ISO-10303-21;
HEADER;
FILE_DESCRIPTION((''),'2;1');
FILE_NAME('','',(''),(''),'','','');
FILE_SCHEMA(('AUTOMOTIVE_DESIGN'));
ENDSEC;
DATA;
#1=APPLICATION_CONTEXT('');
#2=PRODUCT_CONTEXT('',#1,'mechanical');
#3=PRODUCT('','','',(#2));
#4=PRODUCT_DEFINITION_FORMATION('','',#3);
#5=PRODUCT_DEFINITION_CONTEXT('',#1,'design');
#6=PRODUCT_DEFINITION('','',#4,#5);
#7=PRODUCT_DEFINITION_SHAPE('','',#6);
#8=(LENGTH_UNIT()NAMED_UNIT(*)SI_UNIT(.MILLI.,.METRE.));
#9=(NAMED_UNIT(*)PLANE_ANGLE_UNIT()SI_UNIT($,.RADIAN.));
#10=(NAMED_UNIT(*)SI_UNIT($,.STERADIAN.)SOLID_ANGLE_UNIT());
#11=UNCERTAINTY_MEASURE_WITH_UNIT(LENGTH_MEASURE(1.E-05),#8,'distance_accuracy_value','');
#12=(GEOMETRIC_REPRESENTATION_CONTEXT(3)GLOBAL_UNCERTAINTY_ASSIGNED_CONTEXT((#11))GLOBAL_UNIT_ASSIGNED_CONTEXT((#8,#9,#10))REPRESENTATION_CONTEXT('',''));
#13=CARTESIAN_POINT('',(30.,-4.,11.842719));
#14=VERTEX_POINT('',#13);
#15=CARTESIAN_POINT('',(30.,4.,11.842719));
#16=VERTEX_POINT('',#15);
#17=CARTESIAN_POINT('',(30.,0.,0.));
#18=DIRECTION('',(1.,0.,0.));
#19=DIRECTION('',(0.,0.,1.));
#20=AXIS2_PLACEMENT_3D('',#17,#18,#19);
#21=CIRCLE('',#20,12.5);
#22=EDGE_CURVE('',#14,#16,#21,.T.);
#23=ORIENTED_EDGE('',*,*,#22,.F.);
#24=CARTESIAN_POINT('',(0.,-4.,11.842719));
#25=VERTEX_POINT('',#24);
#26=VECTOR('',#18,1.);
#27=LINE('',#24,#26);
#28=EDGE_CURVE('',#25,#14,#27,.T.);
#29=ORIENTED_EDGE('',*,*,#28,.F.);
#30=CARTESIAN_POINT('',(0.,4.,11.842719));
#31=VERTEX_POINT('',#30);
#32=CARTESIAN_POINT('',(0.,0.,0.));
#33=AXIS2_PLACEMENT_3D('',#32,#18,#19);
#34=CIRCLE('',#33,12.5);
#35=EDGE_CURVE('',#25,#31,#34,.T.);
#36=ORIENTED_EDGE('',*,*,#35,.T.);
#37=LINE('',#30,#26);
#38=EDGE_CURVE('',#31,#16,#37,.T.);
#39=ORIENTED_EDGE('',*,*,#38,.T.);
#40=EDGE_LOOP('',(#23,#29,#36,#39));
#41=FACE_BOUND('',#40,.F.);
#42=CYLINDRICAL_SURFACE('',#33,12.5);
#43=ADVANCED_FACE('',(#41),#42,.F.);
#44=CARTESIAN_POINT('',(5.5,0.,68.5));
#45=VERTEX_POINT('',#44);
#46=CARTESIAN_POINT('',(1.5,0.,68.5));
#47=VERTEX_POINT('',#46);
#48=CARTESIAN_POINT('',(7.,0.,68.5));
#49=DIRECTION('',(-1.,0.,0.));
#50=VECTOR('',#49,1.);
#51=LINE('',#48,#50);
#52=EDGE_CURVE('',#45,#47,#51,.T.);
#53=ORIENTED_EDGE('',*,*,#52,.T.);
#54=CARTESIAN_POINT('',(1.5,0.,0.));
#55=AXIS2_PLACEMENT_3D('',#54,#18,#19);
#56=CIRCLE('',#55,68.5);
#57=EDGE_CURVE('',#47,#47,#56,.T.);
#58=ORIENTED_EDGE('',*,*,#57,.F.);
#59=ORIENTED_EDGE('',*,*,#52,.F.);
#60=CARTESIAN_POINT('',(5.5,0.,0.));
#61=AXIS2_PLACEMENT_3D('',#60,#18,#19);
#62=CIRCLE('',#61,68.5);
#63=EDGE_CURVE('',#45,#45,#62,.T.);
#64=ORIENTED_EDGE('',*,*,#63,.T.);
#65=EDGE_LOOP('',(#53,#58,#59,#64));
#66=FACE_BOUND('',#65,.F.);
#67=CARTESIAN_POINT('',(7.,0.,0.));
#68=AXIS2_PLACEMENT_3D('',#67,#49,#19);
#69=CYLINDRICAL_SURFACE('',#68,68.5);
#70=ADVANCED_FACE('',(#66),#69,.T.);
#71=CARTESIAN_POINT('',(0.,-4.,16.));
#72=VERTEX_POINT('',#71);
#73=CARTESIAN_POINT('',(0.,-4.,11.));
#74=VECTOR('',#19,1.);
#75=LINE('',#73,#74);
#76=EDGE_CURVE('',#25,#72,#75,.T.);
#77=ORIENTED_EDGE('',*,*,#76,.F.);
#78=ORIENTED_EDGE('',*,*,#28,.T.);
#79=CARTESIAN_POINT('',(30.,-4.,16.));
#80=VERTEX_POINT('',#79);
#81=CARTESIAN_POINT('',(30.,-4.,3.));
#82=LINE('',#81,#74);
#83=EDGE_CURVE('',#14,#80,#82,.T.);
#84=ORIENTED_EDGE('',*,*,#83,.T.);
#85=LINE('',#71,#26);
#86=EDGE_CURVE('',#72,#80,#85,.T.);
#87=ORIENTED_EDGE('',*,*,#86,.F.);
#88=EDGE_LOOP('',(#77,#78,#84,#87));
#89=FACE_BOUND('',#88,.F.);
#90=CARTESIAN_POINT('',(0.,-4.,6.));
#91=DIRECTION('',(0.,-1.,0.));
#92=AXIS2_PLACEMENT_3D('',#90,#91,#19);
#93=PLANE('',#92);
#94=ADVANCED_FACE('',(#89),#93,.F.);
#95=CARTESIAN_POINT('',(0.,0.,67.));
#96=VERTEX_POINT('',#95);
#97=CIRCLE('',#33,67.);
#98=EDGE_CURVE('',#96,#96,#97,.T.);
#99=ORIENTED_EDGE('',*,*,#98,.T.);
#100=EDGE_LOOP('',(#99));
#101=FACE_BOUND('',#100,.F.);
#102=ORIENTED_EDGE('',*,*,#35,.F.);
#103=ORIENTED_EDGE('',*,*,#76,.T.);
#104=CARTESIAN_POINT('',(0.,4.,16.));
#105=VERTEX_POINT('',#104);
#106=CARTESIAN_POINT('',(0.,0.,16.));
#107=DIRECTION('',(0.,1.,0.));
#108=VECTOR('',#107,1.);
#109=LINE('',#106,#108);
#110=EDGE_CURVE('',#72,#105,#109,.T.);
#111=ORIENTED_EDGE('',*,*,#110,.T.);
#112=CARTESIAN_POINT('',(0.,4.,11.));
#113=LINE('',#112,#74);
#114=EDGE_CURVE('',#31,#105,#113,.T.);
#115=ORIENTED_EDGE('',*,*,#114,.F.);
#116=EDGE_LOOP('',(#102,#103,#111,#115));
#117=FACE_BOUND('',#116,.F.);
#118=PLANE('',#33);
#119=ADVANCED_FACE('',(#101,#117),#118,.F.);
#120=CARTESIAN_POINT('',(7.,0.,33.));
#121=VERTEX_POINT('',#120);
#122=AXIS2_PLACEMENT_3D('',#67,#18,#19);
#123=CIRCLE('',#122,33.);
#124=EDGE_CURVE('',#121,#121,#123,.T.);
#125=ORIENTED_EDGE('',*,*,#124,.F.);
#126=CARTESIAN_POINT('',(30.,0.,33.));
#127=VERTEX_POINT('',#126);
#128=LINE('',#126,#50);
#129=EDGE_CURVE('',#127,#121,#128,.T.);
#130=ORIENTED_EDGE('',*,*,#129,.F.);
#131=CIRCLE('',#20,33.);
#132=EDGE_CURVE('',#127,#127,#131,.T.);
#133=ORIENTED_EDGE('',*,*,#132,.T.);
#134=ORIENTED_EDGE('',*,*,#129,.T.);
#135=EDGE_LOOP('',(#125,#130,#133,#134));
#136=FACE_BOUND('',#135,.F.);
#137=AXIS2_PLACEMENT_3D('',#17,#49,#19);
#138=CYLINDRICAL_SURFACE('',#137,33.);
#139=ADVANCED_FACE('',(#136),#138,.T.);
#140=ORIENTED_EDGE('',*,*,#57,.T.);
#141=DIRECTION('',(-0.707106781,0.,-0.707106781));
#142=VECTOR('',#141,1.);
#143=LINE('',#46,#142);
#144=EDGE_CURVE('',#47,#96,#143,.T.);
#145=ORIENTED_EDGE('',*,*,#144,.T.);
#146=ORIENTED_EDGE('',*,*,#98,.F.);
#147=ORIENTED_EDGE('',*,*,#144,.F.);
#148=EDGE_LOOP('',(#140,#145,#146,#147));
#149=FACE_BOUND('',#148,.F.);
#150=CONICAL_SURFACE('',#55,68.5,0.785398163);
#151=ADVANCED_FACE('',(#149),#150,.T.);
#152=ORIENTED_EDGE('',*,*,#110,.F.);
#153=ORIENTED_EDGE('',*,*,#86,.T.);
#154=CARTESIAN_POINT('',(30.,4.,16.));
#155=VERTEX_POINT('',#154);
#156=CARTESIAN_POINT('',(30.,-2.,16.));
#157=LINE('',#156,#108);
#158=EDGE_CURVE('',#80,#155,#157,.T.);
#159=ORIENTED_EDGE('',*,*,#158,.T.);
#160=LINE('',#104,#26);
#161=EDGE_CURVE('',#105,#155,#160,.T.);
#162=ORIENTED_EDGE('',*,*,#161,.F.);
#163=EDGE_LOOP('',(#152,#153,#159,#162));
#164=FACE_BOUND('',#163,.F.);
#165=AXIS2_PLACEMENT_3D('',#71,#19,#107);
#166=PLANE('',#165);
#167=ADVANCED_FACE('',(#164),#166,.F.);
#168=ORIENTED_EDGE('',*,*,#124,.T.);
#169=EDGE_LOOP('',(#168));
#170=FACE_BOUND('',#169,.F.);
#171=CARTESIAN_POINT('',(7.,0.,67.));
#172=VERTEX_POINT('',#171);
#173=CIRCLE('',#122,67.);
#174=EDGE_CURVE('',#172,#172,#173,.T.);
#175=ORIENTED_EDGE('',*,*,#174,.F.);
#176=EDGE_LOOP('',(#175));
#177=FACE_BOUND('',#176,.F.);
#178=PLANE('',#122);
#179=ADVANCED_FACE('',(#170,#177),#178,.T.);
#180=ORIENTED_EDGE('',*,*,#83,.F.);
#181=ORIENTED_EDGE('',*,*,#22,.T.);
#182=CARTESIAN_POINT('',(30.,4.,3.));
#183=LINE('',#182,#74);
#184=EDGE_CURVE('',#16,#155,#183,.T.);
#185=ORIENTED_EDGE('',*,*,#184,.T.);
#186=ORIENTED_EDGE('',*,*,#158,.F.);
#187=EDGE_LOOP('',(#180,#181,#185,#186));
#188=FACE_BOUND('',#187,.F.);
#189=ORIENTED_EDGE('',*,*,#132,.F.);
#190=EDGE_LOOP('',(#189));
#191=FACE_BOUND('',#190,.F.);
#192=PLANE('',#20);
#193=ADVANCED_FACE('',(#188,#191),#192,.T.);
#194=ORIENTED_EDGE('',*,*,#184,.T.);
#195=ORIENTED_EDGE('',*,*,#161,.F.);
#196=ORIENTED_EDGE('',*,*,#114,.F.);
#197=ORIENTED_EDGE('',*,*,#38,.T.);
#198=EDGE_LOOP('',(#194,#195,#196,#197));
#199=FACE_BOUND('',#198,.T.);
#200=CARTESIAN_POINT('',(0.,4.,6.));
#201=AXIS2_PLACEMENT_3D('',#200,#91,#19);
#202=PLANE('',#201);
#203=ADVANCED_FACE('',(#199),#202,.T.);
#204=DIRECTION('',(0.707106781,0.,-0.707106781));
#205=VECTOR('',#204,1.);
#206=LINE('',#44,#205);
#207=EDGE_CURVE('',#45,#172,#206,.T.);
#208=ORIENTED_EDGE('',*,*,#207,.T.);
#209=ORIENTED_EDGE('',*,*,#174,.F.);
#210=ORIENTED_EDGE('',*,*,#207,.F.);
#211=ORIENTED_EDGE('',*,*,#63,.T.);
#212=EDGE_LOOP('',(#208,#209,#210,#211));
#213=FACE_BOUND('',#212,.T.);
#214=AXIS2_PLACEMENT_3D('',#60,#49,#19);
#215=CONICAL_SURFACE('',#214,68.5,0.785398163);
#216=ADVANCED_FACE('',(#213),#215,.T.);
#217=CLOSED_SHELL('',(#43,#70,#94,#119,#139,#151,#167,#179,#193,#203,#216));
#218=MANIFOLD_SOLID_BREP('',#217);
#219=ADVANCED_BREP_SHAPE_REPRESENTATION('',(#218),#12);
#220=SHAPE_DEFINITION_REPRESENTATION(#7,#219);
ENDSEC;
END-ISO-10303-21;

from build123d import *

# Parameters (mm, degrees)
F2_W     = 8
F2_H     = 10
F3_DEPTH = 30.001
F4_SIZE  = 1.5


with BuildPart() as f1:
    # F0 (on Front) → F1 (revolve)
    with BuildSketch(Plane.XZ):
        Polygon((7, 68.5), (0, 68.5), (0, 12.5), (30, 12.5), (30, 33), (7, 33), align=None)
    revolve(axis=Axis((33.79849, 0, 0), (1, 0, 0)))

    # F2 (on Right) → F3 (cut, through all)
    with BuildSketch(Plane.YZ):
        with Locations((0, 11)):
            Rectangle(F2_W, F2_H)
    extrude(amount=F3_DEPTH, mode=Mode.SUBTRACT)

    # F4
    f4_edges = [f1.edges().sort_by_distance(p)[0] for p in [
        (7, 0, -68.5),
        (0, 0, -68.5),
    ]]
    chamfer(f4_edges, length=F4_SIZE)


solid = f1.part
